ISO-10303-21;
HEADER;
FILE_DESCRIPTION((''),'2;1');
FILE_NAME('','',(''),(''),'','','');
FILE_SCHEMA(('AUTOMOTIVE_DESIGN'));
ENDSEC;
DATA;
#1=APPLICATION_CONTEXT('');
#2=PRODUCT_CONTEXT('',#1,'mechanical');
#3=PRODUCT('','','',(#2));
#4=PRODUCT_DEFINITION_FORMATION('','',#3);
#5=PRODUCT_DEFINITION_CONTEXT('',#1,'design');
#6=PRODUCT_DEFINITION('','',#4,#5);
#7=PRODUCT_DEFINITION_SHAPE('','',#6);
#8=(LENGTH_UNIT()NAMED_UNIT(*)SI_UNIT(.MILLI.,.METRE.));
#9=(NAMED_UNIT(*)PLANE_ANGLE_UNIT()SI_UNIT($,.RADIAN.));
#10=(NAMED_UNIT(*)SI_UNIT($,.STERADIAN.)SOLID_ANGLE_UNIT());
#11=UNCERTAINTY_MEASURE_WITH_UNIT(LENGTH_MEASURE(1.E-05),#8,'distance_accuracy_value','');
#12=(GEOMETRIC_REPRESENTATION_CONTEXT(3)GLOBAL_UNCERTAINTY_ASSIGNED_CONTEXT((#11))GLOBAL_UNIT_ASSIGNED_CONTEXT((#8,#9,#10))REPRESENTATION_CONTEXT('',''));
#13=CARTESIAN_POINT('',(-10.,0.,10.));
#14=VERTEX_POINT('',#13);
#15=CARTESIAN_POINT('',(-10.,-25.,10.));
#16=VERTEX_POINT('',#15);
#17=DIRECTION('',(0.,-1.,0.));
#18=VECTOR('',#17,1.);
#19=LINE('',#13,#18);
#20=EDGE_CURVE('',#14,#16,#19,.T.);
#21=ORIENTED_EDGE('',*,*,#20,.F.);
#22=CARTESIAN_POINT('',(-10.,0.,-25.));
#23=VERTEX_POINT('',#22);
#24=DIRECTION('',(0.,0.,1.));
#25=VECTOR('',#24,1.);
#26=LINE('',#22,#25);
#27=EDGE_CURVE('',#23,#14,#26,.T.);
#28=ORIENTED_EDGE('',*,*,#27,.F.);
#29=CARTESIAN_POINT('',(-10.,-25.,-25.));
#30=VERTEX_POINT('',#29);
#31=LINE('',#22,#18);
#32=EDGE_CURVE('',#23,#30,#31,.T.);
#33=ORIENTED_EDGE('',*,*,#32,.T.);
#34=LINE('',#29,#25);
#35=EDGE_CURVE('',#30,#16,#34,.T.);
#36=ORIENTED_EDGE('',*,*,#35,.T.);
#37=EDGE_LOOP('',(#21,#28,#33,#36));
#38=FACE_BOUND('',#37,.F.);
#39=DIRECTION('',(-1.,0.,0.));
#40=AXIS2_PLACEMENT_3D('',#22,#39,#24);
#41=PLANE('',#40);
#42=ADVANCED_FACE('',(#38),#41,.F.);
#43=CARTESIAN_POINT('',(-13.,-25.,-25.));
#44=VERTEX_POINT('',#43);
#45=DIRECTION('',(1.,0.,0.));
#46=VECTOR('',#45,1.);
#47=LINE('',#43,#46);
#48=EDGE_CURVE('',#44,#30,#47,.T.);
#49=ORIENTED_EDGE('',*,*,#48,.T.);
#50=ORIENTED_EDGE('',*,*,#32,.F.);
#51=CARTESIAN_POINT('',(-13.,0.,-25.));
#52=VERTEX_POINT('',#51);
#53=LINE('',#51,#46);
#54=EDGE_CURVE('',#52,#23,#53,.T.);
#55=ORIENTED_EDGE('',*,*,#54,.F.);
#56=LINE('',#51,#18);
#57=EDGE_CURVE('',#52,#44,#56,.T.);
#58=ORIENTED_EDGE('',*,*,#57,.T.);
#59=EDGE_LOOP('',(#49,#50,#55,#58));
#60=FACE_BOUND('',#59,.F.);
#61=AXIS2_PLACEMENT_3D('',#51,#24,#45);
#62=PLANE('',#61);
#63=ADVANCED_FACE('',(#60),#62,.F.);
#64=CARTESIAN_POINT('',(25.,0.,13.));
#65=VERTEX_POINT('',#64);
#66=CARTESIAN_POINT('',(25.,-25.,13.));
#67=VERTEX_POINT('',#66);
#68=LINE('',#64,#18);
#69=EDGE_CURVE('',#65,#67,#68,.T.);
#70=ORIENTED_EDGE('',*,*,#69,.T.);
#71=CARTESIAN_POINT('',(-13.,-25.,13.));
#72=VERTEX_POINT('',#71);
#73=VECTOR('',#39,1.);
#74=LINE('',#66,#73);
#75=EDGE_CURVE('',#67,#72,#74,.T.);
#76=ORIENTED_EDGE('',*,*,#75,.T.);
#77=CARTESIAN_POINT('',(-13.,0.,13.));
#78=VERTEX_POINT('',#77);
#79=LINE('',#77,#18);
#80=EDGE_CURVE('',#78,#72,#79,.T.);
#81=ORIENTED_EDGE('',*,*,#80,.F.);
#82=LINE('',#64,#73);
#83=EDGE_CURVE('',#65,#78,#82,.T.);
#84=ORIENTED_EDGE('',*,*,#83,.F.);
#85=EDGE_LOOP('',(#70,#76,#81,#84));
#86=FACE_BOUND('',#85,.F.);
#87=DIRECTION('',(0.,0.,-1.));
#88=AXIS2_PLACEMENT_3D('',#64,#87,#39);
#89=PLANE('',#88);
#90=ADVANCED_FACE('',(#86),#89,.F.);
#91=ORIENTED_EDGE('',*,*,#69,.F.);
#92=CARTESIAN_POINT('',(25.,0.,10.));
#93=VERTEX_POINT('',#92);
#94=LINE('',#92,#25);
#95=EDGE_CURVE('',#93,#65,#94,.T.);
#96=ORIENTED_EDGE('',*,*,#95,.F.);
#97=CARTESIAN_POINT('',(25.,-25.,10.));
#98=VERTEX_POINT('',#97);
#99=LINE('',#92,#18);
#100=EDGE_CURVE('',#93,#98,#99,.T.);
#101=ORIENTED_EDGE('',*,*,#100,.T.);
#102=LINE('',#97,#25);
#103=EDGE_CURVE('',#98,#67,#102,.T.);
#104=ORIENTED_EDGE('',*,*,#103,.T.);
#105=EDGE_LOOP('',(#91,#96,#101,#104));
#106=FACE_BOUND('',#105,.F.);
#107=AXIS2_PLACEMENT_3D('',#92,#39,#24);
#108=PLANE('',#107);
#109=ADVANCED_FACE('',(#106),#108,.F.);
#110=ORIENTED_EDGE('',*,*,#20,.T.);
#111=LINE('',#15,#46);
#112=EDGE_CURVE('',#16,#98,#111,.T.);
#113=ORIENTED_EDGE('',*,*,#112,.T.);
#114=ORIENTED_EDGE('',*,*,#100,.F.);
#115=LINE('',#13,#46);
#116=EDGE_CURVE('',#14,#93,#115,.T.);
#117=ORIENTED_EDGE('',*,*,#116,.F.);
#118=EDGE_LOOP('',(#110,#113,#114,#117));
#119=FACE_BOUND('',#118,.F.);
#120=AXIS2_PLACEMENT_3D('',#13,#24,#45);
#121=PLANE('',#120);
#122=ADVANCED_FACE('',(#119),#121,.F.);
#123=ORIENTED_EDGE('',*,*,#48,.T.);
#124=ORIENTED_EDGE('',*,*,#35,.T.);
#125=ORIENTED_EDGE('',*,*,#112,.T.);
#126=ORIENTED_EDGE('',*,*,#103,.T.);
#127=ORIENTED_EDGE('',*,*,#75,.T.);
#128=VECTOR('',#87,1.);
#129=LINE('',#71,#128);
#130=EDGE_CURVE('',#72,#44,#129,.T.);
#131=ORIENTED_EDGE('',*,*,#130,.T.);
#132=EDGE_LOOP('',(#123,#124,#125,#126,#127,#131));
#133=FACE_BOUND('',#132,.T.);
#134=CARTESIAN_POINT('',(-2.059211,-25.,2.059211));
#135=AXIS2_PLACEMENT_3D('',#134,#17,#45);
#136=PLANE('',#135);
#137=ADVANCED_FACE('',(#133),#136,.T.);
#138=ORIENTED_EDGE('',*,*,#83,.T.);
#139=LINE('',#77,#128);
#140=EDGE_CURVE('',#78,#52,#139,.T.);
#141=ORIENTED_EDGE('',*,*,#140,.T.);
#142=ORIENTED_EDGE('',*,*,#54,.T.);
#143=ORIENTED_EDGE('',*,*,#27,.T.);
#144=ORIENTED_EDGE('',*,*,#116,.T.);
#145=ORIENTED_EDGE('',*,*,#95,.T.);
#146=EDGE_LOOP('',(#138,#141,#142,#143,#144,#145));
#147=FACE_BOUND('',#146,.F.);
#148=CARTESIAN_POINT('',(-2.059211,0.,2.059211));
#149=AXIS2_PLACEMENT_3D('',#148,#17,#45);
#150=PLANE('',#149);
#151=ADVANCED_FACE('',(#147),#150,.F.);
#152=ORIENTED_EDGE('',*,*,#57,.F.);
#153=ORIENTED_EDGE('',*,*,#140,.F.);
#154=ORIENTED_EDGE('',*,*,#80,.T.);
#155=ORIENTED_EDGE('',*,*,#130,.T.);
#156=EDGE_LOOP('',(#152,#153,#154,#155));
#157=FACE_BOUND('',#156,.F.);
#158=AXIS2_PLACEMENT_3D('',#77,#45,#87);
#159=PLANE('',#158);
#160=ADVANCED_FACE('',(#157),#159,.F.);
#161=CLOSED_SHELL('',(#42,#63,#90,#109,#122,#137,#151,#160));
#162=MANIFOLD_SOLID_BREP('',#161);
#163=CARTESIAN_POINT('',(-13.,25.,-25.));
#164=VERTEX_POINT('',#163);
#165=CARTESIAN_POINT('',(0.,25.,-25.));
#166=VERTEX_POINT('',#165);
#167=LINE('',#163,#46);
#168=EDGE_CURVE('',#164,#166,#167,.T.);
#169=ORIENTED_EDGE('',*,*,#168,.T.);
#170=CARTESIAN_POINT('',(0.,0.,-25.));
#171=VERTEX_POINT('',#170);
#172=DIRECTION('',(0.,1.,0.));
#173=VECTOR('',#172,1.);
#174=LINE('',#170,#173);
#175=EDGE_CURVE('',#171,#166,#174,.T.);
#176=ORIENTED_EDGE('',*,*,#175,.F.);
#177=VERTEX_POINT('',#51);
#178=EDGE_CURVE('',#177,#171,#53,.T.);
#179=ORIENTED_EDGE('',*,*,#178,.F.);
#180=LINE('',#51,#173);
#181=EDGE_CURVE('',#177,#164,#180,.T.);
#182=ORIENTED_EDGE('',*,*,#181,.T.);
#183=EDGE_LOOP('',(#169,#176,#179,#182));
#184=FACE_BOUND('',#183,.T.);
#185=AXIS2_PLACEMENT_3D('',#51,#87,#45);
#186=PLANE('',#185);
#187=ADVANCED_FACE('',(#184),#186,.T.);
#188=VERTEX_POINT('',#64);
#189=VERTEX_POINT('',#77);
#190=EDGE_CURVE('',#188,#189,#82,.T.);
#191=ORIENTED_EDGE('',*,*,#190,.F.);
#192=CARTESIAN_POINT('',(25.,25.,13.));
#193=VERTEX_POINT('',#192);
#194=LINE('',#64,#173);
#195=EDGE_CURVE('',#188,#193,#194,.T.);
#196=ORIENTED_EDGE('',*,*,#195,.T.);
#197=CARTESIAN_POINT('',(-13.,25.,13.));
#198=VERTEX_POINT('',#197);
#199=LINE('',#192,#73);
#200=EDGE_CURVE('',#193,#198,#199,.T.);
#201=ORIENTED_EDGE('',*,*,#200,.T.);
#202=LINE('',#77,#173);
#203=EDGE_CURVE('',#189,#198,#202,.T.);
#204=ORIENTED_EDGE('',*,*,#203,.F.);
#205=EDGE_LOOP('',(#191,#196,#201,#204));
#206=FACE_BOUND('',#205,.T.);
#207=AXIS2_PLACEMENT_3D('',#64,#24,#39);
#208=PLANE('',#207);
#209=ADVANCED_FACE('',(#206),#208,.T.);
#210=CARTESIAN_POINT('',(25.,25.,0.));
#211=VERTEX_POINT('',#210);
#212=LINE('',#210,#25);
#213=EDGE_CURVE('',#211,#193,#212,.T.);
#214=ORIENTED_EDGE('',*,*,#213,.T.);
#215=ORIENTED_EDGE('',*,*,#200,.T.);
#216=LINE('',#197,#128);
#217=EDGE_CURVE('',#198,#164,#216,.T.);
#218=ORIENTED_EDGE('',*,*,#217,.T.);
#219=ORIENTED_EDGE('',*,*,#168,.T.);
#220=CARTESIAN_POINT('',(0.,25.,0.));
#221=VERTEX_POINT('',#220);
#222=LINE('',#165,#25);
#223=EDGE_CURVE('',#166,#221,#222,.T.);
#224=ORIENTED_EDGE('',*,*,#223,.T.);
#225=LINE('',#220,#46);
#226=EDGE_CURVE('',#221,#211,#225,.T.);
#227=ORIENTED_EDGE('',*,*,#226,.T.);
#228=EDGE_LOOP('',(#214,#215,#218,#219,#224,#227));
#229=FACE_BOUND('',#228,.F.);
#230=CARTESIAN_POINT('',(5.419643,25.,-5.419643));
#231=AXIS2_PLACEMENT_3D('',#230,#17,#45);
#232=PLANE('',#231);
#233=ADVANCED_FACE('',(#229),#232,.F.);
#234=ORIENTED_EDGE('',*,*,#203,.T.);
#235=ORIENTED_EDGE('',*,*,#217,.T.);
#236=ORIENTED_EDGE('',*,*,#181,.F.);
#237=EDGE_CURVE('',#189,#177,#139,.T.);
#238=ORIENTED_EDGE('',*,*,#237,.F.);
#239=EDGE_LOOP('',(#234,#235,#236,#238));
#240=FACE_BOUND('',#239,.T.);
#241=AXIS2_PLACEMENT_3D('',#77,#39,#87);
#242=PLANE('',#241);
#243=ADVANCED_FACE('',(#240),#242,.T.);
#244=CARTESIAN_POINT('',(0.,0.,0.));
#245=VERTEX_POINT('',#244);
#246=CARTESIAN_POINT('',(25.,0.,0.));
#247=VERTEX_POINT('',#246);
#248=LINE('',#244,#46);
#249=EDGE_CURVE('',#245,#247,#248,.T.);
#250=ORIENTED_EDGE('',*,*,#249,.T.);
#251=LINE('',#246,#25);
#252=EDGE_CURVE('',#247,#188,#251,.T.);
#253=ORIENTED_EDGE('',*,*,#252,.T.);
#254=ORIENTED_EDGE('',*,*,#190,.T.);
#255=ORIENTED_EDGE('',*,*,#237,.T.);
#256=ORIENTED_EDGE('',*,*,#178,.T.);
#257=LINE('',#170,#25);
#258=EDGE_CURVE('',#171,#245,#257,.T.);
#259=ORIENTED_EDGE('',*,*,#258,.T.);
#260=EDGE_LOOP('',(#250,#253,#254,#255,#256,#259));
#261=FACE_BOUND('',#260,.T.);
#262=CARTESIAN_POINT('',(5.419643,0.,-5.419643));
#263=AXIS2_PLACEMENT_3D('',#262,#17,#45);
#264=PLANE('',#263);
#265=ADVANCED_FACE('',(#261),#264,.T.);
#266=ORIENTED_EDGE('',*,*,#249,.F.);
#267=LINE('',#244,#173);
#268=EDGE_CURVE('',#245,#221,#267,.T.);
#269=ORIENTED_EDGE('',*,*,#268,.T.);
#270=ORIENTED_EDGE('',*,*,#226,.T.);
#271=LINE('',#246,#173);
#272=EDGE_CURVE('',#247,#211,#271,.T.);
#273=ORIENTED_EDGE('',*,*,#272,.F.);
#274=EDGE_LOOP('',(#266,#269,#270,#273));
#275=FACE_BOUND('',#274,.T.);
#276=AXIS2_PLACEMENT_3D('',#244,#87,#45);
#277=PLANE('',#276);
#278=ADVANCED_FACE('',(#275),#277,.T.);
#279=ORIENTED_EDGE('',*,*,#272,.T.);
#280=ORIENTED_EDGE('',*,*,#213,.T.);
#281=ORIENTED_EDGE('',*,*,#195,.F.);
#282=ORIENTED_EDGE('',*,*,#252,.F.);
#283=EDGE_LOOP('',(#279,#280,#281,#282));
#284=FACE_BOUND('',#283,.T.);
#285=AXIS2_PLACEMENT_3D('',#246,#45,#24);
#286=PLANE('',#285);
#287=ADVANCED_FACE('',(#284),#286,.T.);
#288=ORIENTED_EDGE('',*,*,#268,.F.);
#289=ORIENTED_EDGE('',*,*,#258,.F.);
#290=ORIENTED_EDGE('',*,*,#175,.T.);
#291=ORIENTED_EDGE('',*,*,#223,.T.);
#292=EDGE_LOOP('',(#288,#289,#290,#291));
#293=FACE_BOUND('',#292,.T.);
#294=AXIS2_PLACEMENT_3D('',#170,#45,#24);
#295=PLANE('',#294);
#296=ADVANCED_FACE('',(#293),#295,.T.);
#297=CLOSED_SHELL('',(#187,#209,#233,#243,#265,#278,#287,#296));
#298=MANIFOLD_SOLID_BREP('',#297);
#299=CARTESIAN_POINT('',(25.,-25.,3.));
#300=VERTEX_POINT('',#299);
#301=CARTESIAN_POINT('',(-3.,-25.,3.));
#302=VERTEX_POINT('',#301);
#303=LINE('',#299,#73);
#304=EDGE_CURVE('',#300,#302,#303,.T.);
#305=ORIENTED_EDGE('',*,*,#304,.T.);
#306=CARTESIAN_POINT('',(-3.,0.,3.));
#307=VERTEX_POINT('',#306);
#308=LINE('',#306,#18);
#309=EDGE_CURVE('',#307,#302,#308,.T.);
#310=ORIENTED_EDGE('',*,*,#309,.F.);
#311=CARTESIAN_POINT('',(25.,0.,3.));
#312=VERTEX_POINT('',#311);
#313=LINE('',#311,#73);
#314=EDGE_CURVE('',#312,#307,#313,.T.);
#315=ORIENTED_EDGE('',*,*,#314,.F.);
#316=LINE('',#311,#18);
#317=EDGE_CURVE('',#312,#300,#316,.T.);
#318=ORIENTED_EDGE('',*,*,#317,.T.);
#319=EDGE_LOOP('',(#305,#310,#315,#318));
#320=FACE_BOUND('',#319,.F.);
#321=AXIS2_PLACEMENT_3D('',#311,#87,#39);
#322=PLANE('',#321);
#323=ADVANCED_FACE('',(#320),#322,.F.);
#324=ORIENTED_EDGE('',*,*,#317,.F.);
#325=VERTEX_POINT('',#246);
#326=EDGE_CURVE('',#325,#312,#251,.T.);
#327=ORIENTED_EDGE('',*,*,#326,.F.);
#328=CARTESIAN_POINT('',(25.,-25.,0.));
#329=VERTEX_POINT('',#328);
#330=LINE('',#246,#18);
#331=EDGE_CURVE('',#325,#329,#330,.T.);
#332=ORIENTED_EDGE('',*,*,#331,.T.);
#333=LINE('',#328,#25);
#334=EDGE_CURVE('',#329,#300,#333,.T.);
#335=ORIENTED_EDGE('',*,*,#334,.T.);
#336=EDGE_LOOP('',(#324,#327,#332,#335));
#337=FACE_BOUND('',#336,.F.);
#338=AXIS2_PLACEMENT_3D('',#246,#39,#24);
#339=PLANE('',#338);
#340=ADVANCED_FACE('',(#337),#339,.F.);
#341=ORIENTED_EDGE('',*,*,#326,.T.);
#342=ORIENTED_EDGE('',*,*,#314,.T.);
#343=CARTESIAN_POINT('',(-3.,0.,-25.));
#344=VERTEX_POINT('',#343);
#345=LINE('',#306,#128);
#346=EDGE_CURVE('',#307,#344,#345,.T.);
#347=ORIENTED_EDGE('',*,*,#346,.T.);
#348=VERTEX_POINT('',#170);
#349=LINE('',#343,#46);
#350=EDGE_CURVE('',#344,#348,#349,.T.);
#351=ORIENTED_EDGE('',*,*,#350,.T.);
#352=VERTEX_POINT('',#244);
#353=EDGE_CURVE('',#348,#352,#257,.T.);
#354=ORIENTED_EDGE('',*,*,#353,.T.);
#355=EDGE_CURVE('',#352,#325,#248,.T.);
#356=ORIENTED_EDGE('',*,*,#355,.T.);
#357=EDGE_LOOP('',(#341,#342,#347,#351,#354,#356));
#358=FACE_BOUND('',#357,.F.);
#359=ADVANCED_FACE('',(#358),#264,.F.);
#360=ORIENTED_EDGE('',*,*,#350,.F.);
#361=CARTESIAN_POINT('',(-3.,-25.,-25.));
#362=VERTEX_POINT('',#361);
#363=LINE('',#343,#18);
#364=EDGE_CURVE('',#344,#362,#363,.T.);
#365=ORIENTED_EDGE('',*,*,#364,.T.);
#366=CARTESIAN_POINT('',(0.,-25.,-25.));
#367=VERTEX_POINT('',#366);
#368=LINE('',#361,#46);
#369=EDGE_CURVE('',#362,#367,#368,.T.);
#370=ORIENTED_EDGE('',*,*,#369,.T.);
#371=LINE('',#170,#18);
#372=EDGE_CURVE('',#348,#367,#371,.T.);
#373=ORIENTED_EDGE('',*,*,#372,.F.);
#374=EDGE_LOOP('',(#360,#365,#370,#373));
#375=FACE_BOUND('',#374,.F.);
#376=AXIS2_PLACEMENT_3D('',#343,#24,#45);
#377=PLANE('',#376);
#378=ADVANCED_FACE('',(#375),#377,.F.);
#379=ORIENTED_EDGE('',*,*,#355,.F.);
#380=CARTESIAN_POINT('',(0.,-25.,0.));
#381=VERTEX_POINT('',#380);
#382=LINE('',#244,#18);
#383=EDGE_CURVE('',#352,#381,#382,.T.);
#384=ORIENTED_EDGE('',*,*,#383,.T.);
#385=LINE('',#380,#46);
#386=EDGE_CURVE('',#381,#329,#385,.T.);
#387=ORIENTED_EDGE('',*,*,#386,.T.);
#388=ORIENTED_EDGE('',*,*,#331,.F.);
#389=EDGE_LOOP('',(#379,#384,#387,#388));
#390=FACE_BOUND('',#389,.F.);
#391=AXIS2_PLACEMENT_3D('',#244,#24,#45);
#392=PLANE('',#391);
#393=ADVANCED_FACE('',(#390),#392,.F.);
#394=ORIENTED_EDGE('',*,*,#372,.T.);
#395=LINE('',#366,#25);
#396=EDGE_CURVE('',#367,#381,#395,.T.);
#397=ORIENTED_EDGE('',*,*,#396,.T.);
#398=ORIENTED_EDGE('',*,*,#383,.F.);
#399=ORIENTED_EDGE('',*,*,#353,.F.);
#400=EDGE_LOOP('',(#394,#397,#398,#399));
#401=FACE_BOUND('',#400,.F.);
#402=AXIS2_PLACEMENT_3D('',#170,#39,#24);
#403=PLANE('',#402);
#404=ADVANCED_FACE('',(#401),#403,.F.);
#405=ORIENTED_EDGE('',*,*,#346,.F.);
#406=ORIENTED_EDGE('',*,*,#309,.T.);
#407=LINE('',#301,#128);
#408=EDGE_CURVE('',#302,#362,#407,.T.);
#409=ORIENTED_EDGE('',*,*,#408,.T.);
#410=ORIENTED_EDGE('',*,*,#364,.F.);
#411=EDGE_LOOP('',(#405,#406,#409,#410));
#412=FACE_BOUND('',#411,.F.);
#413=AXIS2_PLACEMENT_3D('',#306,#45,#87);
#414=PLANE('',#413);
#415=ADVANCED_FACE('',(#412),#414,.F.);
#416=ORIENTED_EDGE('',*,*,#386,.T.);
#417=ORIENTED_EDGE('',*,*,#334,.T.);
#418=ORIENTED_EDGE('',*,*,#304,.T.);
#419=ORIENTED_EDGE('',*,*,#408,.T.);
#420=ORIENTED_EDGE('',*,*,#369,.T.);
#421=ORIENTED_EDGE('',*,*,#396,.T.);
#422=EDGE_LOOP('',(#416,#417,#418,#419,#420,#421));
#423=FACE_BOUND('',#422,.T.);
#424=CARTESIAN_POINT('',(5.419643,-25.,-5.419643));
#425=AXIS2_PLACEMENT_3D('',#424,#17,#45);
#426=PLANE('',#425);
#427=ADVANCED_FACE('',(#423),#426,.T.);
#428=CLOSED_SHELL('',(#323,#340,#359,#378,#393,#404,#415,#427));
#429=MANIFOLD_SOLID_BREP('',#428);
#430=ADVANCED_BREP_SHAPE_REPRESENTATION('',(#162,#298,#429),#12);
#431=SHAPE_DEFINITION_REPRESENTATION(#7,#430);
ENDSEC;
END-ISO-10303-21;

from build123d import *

# Parameters (mm, degrees)
F1_DEPTH = 25
F2_DEPTH = 25


with BuildPart() as f1:
    # F0 (on Front) → F1 (new body)
    with BuildSketch(Plane.XZ):
        Polygon((-13, -25), (-10, -25), (-10, 0), (-10, 10), (6.992714, 10), (25, 10), (25, 13), (6.992714, 13), (-13, 13), (-13, 0), align=None)
        Polygon((-3, -25), (0, -25), (0, 0), (25, 0), (25, 3), (-3, 3), align=None)
    extrude(amount=F1_DEPTH)


with BuildPart() as f2:
    # F0 (on Front) → F2 (new body)
    with BuildSketch(Plane.XZ):
        Polygon((-3, -25), (0, -25), (0, 0), (25, 0), (25, 3), (-3, 3), align=None)
        Polygon((-10, -25), (-3, -25), (-3, 3), (25, 3), (25, 10), (6.992714, 10), (-10, 10), (-10, 0), align=None)
        Polygon((-13, -25), (-10, -25), (-10, 0), (-10, 10), (6.992714, 10), (25, 10), (25, 13), (6.992714, 13), (-13, 13), (-13, 0), align=None)
    extrude(amount=-F2_DEPTH)


solid = Compound([f1.part, f2.part])
